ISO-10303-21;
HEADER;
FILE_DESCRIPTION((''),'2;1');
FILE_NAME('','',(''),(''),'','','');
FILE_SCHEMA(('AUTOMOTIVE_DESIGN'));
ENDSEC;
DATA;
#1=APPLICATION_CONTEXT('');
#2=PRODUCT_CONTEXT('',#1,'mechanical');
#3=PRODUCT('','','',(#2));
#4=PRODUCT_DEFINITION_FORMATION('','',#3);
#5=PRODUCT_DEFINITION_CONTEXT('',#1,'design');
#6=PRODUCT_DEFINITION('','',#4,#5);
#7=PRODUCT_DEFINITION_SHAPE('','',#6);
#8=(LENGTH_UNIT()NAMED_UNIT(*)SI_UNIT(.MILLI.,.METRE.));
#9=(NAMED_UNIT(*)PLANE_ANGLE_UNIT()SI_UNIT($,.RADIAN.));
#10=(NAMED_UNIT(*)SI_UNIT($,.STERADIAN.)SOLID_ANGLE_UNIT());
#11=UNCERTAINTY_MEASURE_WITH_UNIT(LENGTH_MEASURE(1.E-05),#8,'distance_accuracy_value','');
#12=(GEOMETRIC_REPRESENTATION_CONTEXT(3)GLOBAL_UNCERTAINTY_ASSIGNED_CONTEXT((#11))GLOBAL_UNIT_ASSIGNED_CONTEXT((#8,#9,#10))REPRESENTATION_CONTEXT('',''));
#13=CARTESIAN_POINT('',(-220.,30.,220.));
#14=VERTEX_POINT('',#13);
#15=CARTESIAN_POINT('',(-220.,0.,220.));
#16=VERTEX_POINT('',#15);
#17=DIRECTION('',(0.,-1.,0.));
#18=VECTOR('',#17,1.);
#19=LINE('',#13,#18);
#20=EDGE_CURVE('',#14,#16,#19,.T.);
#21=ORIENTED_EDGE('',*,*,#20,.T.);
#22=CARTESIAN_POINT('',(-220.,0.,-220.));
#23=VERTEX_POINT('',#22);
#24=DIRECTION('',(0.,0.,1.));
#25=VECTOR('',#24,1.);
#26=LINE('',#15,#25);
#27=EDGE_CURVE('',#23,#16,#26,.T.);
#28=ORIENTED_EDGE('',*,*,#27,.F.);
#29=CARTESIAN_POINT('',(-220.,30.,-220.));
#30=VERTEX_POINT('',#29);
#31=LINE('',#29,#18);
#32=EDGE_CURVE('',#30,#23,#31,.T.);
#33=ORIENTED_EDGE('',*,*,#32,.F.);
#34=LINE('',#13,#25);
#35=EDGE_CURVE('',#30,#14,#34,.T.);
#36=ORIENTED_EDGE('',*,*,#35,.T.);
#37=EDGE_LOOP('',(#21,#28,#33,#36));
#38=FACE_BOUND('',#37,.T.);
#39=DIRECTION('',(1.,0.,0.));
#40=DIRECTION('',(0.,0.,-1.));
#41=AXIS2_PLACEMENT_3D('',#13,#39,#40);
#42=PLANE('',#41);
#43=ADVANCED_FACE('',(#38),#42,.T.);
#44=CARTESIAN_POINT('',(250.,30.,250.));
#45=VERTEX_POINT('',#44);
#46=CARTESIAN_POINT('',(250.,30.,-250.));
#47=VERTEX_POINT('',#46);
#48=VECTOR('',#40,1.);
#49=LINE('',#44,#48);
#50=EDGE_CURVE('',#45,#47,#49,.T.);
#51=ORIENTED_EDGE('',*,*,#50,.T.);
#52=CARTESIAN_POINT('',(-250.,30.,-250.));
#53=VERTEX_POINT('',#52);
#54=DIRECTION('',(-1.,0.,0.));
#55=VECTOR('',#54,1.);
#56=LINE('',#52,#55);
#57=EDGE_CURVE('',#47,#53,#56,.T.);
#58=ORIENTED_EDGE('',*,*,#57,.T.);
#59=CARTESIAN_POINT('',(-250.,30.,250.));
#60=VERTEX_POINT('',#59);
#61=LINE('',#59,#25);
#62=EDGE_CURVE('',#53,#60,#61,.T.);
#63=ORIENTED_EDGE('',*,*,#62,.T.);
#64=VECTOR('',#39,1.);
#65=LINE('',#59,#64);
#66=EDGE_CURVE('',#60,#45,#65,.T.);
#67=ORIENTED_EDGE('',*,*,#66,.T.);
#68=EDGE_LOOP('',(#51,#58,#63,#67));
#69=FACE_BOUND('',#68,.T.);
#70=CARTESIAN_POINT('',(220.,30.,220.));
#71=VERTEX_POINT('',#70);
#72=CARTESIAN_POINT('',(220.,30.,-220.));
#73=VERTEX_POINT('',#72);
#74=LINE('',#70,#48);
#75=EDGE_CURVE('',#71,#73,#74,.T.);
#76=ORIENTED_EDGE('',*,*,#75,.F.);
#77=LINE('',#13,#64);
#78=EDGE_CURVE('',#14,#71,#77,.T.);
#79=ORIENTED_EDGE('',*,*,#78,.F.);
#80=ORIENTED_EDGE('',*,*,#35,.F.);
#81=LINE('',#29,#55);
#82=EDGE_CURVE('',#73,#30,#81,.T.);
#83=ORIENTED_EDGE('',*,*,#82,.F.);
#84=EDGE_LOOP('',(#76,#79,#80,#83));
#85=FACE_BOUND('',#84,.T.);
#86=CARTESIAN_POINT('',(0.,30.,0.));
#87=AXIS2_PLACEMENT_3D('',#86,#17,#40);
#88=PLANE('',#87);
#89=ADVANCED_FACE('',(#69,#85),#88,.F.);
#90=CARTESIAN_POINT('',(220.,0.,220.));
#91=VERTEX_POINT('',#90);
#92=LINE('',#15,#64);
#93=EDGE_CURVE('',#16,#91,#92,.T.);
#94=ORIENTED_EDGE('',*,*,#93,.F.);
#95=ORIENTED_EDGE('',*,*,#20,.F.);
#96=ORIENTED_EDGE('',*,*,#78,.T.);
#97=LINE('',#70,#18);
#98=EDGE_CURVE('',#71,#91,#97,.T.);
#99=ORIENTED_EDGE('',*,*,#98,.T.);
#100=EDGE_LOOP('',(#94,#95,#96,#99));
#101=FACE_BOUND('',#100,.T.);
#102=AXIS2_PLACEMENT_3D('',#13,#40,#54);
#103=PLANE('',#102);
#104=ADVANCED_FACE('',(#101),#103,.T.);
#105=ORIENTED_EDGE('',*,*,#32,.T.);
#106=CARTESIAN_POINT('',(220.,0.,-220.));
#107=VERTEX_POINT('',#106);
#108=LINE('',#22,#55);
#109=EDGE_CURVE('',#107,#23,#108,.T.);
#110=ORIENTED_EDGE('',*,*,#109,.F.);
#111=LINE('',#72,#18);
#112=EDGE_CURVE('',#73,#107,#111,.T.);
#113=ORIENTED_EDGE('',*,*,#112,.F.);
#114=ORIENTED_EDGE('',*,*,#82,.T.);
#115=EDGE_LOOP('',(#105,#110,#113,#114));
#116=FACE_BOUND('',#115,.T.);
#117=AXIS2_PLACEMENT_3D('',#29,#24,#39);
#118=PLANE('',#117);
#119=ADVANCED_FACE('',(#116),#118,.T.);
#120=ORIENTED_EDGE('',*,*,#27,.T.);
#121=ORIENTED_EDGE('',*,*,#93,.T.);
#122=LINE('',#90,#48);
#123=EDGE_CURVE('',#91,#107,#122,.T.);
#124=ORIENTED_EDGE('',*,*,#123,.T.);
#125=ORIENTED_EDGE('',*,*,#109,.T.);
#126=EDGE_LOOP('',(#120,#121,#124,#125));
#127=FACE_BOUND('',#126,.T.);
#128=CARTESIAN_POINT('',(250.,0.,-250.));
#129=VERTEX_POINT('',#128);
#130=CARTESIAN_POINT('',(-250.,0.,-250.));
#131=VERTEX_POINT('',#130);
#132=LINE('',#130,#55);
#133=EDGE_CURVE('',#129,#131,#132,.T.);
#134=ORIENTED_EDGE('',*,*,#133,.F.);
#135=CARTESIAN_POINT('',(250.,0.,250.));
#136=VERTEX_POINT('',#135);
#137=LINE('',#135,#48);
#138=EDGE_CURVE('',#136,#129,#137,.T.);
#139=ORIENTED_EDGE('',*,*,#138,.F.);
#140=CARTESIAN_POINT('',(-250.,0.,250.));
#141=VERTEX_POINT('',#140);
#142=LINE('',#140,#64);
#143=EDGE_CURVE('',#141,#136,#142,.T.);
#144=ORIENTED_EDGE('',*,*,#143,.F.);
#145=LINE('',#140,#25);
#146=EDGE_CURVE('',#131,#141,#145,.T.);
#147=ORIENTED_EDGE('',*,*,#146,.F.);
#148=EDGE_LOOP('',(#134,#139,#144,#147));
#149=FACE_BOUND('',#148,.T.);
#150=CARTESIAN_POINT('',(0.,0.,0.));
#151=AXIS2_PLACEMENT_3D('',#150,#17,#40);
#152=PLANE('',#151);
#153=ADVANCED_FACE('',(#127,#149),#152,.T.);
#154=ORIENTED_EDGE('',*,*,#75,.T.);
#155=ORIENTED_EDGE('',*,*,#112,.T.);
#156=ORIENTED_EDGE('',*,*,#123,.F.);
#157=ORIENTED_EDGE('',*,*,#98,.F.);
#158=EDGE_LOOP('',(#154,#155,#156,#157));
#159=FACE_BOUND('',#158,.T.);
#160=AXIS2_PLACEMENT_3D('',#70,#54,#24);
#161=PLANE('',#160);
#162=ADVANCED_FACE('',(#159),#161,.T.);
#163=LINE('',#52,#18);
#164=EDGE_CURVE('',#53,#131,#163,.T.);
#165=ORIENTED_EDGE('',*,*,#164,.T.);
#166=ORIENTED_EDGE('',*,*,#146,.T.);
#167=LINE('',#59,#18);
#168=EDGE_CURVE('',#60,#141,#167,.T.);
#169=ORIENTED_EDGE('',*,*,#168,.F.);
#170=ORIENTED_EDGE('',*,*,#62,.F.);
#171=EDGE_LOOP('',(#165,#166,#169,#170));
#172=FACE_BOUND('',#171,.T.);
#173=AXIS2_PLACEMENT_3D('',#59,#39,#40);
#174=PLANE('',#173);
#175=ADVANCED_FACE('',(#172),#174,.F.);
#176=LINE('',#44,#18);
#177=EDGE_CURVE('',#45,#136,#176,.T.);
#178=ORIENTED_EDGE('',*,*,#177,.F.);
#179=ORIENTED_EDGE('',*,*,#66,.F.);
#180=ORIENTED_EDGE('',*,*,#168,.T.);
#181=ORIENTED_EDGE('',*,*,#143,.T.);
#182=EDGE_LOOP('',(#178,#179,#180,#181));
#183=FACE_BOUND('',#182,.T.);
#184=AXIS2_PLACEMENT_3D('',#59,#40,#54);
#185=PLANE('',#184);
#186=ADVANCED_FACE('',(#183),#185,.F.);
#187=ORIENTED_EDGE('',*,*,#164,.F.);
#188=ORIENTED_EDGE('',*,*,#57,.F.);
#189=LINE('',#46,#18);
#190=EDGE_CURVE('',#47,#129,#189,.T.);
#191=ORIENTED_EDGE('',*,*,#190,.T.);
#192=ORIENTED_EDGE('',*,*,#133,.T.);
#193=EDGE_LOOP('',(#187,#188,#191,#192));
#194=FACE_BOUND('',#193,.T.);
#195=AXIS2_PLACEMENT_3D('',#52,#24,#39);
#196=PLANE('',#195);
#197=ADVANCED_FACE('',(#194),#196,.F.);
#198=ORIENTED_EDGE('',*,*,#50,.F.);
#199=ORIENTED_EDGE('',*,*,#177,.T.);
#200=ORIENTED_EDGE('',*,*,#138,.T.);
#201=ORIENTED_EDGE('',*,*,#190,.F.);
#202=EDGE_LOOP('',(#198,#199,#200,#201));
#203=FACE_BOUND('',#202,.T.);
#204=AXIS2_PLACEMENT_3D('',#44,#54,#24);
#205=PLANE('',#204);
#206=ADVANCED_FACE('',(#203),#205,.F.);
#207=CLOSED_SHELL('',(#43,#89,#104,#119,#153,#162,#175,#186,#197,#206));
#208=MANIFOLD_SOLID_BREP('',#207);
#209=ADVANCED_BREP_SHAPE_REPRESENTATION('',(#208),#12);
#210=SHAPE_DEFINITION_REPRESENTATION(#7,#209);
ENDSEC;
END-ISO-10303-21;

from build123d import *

# Parameters (mm, degrees)
SKETCH1_W           = 500
SKETCH1_H           = 500
SKETCH1_W_2         = 440
SKETCH1_H_2         = 440
BOSS_EXTRUDE1_DEPTH = 30


with BuildPart() as part:
    # Sketch1 → Boss-Extrude1 (new body)
    with BuildSketch(Plane(origin=(0, 0, 0), x_dir=(1, 0, 0), z_dir=(0, 1, 0))):
        Rectangle(SKETCH1_W, SKETCH1_H)
        Rectangle(SKETCH1_W_2, SKETCH1_H_2, mode=Mode.SUBTRACT)
    extrude(amount=BOSS_EXTRUDE1_DEPTH)


solid = part.part
